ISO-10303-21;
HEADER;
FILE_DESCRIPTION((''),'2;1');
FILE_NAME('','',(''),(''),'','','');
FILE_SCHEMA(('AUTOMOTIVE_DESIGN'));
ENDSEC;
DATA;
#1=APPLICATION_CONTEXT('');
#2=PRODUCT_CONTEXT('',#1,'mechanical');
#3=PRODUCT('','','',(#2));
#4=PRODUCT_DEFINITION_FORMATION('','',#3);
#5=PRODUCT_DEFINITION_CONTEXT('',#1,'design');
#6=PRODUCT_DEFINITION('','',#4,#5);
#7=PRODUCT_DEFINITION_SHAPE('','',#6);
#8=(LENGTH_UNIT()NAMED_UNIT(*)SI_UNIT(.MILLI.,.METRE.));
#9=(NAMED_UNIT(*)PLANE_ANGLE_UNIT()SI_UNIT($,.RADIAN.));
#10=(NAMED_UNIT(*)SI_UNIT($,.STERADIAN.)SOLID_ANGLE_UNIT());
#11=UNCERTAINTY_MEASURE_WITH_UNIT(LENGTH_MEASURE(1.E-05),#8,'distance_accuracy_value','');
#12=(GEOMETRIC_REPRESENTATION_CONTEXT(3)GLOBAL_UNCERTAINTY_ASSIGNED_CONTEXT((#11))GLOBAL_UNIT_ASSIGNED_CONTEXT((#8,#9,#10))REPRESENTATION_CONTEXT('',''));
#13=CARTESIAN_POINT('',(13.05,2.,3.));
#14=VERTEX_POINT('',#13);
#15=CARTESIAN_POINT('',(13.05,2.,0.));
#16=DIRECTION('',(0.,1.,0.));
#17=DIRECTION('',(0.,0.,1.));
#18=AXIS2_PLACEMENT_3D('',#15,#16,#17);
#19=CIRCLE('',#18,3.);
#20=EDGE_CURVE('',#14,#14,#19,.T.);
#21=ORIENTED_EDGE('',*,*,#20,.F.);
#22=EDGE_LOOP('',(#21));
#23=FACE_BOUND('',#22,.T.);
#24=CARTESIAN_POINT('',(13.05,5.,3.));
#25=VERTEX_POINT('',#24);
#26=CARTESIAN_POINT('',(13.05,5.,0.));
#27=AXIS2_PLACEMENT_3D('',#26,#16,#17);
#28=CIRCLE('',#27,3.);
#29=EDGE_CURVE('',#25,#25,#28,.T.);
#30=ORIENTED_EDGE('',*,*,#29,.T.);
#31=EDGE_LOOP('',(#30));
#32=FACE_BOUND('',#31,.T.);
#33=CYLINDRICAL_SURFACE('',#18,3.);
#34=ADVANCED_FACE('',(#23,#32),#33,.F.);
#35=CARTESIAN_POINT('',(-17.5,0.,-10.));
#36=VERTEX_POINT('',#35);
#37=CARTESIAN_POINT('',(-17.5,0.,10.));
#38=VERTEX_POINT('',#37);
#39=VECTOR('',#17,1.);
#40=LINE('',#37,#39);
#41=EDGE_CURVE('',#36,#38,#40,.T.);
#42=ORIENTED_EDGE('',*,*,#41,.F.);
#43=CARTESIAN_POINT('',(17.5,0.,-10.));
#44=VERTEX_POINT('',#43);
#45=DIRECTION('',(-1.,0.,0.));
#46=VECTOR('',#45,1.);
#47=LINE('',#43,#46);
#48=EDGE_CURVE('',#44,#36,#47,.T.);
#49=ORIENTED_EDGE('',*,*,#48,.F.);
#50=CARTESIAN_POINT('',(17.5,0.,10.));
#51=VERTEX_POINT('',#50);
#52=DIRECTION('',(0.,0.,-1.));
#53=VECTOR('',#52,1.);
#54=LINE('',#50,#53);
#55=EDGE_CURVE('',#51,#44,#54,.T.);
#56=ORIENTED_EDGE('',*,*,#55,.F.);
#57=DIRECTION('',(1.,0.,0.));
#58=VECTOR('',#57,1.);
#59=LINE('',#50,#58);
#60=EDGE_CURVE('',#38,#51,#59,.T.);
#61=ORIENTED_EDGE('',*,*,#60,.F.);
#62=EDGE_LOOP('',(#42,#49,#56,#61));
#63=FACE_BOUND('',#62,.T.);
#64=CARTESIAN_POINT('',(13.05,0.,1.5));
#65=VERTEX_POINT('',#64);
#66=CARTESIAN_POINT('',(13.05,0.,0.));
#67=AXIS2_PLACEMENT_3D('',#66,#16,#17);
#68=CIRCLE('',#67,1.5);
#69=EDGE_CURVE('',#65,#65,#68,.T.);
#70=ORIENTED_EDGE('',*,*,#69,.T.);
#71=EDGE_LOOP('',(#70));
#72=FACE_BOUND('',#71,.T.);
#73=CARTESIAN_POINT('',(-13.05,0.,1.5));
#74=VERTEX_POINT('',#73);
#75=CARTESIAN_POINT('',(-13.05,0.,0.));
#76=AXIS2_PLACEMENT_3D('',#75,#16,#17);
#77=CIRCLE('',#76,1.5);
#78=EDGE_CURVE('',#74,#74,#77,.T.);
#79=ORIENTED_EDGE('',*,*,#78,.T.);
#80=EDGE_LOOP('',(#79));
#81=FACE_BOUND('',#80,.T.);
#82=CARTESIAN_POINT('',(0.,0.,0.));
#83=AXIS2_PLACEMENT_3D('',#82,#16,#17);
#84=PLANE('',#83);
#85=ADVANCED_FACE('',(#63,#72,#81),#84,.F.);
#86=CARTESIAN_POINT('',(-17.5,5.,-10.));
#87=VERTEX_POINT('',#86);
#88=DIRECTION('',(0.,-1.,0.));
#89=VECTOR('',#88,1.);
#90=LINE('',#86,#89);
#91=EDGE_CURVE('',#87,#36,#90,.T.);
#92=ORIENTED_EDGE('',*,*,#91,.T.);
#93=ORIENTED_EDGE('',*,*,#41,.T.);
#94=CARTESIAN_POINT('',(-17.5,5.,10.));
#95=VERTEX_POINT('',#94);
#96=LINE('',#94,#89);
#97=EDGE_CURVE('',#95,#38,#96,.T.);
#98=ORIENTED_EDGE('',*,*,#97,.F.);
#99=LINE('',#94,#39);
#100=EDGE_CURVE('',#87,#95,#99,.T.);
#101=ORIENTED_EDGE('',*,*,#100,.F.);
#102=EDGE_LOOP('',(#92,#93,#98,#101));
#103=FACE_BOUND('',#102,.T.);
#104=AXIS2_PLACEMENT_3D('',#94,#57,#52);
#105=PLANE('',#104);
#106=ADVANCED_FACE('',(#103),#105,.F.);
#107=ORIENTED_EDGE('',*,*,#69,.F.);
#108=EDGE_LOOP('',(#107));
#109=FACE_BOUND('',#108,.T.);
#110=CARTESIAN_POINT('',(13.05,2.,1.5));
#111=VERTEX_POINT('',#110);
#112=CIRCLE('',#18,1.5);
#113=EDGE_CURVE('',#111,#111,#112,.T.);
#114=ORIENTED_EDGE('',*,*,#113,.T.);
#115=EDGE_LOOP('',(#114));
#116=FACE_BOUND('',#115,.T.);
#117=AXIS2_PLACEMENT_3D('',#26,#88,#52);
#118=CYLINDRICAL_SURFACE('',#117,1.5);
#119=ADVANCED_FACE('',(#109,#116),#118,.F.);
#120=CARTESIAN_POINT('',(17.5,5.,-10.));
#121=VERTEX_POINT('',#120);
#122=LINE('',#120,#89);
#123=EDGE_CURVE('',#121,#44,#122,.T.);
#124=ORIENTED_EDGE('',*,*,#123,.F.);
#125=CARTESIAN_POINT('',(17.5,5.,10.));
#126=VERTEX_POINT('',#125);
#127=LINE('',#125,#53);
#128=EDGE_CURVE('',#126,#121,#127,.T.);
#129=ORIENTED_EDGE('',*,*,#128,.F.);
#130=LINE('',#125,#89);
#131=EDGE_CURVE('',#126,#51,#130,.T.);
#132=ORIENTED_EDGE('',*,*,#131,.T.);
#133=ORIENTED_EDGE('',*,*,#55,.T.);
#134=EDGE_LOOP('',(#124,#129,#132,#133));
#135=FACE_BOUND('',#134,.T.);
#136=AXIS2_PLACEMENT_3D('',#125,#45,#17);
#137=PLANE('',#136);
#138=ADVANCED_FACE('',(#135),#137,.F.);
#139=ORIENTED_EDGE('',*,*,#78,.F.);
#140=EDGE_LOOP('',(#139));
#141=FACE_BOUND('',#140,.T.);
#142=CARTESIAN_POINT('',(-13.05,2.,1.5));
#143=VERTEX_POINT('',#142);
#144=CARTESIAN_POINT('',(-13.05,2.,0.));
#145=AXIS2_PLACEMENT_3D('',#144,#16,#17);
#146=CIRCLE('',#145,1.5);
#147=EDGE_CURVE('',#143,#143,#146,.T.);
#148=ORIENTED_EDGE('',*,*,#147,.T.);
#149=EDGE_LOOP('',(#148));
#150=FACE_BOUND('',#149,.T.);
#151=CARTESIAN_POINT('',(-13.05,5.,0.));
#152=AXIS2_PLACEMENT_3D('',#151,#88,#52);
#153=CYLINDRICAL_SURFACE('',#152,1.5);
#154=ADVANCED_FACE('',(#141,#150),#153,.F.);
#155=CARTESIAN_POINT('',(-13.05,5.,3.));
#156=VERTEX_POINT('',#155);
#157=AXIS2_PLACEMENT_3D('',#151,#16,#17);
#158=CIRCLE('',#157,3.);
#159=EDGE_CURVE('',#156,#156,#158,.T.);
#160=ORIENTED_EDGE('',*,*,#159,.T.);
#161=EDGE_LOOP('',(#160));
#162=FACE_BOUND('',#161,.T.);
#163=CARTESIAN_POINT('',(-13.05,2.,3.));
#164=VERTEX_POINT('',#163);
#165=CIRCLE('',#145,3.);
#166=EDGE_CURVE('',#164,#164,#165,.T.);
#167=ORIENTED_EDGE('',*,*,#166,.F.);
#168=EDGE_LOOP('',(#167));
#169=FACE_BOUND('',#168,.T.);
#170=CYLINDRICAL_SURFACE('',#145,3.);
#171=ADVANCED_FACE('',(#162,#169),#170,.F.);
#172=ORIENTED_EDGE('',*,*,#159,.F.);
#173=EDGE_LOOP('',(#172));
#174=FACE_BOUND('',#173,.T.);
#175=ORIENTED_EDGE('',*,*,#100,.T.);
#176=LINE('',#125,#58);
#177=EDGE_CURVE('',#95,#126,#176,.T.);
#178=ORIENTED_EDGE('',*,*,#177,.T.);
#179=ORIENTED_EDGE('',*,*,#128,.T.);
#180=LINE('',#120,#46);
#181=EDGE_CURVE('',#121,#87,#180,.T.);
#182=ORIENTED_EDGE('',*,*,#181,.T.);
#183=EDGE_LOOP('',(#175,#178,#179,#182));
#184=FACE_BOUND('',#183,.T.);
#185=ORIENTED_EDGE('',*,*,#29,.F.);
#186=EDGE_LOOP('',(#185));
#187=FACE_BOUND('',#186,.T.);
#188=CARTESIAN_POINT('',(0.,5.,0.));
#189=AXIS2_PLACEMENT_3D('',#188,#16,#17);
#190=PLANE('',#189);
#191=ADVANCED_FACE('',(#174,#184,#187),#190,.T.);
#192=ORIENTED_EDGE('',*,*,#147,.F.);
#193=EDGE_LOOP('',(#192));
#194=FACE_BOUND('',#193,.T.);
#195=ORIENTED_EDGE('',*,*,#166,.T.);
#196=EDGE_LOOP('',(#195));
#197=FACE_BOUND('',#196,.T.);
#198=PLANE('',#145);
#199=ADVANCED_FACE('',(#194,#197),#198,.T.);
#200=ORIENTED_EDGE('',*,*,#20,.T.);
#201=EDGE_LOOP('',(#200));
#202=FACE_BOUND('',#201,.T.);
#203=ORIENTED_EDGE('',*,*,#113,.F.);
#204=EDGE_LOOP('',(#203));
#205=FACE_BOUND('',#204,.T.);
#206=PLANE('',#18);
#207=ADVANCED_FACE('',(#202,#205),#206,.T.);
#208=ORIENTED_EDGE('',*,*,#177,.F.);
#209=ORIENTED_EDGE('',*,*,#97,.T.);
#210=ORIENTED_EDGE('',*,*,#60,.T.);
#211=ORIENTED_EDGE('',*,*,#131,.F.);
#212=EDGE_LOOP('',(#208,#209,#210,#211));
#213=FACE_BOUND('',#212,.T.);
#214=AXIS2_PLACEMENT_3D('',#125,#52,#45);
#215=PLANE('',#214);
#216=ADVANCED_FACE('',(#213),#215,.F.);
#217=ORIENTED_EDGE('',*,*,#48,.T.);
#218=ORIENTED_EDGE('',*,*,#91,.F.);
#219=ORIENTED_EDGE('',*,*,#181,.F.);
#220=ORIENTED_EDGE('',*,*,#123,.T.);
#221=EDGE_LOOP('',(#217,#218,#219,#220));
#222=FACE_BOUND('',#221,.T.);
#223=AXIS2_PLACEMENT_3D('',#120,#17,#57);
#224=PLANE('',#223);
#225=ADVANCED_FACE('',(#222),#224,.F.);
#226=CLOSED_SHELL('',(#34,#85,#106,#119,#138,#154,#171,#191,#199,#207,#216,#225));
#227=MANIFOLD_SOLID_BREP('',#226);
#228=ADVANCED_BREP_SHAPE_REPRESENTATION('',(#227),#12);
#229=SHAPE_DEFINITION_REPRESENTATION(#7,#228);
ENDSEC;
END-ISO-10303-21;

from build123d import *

# Parameters (mm, degrees)
SKETCH2_W           = 35
SKETCH2_H           = 20
SKETCH2_R           = 1.5
BOSS_EXTRUDE1_DEPTH = 5
SKETCH3_R           = 3
CUT_EXTRUDE1_DEPTH  = 3


with BuildPart() as part:
    # Sketch2 → Boss-Extrude1 (new body)
    with BuildSketch(Plane(origin=(0, 0, 0), x_dir=(1, 0, 0), z_dir=(0, 1, 0))):
        Rectangle(SKETCH2_W, SKETCH2_H)
        with Locations(Location((-13.05, 0, 0), (0, 0, 270))):
            Circle(SKETCH2_R, mode=Mode.SUBTRACT)
        with Locations(Location((13.05, 0, 0), (0, 0, 270))):
            Circle(SKETCH2_R, mode=Mode.SUBTRACT)
    extrude(amount=BOSS_EXTRUDE1_DEPTH)

    # Sketch3 → Cut-Extrude1 (cut)
    with BuildSketch(Plane(origin=(0, 5, 0), x_dir=(1, 0, 0), z_dir=(0, 1, 0))):
        with Locations(Location((-13.05, 0, 0), (0, 0, 270))):
            Circle(SKETCH3_R)
        with Locations(Location((13.05, 0, 0), (0, 0, 270))):
            Circle(SKETCH3_R)
    extrude(amount=-CUT_EXTRUDE1_DEPTH, mode=Mode.SUBTRACT)


solid = part.part
